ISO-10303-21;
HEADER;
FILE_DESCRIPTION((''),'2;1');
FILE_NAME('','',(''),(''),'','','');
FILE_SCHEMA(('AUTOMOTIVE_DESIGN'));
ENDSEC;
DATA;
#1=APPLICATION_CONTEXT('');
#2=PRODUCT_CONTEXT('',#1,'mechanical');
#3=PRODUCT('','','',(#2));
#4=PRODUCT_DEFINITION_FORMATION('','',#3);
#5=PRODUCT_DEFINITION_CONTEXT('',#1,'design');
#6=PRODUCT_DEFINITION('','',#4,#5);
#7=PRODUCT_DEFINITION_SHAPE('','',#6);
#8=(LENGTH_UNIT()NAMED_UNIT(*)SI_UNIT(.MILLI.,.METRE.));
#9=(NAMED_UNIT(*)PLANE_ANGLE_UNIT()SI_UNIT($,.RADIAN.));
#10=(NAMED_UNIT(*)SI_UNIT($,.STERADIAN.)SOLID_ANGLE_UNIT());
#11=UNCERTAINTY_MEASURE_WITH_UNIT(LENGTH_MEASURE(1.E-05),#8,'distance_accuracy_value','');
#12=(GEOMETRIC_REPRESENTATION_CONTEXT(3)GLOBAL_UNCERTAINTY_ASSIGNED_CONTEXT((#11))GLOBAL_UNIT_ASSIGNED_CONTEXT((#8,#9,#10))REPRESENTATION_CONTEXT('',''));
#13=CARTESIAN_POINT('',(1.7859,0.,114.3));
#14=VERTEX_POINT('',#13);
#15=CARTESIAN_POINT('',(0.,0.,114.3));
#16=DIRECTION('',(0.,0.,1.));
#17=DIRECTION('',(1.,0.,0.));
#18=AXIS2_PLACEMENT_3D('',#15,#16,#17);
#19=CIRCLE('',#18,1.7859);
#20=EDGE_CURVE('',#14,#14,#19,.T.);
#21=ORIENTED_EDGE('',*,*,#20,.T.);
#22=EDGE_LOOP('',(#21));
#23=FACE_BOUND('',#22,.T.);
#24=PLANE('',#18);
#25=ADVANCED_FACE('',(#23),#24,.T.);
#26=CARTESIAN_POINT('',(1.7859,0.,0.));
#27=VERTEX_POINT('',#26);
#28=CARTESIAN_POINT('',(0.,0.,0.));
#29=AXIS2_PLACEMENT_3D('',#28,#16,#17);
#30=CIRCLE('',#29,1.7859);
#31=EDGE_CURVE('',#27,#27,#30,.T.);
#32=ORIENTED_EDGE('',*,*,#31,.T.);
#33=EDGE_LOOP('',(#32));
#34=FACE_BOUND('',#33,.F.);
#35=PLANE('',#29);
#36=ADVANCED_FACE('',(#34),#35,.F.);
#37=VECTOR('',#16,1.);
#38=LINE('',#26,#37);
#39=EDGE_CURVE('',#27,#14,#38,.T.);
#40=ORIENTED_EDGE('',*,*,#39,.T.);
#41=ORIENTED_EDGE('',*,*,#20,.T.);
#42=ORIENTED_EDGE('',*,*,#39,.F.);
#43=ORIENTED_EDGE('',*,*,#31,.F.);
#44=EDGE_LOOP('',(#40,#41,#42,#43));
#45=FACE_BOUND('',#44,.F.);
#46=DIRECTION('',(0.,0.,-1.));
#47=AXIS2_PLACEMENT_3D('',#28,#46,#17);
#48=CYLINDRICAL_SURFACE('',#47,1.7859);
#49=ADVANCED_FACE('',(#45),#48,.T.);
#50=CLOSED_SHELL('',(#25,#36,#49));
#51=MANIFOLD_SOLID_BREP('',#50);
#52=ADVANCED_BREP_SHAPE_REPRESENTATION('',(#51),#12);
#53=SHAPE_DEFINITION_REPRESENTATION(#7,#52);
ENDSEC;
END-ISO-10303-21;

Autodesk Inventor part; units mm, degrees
ref_plane "YZ Plane" through (0, 0, 0) normal (1, 0, 0) x (0, 1, 0)
ref_plane "XZ Plane" through (0, 0, 0) normal (0, 1, 0) x (-1, 0, 0)
ref_plane "XY Plane" through (0, 0, 0) normal (0, 0, 1) x (1, 0, 0)
sketch "Sketch1" plane through (0, 0, 0) normal (0, 0, 1) x (1, 0, 0)
  circle A0 centre (0, 0) radius 1.7859
  dimension "d0" = 3.5719
extrude "Extrusion1" add sketch "Sketch1" along normal blind 114.3
properties part number "rod"
